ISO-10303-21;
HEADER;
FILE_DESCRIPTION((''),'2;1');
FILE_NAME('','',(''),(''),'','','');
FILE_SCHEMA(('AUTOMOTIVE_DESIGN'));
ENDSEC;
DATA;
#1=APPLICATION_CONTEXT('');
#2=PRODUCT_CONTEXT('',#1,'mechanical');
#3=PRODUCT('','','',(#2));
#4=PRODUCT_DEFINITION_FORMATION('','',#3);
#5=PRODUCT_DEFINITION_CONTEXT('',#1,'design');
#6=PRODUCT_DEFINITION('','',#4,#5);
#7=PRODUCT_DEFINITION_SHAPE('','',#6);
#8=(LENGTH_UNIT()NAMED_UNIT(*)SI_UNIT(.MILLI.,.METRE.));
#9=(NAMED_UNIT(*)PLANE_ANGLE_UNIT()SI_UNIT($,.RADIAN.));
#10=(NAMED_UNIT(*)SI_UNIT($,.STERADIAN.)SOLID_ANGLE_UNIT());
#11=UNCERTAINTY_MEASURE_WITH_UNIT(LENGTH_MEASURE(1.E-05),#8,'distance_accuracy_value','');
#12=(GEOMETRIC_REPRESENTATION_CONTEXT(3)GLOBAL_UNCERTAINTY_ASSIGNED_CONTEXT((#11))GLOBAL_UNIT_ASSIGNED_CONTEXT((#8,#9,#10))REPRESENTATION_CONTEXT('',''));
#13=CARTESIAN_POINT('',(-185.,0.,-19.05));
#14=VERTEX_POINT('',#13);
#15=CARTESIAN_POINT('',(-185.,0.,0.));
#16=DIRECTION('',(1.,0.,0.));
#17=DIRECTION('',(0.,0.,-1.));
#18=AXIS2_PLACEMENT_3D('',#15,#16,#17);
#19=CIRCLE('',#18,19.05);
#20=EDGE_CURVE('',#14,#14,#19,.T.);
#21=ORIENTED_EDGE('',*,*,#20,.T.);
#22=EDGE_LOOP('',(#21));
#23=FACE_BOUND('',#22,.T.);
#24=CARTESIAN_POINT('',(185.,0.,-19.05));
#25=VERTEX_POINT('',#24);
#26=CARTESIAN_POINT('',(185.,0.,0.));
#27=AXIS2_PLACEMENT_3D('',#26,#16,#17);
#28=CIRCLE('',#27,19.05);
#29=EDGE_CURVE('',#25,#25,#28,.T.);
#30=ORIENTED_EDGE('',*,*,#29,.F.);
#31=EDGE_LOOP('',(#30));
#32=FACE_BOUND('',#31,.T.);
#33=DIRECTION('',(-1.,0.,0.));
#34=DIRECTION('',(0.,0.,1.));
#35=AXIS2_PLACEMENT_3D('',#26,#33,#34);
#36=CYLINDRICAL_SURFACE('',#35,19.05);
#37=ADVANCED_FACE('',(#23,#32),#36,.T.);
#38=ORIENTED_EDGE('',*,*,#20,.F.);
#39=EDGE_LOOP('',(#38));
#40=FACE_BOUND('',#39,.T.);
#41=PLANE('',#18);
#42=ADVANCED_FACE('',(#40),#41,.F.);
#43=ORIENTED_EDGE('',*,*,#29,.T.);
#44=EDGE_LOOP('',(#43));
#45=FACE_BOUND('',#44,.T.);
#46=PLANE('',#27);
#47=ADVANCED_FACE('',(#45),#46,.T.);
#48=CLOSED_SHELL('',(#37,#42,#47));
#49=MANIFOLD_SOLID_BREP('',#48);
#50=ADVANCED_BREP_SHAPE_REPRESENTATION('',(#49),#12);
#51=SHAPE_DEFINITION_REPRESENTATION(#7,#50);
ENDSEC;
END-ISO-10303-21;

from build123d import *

# Parameters (mm, degrees)
SKETCH1_R      = 19.05
EXTRUDE1_DEPTH = 185


with BuildPart() as part:
    # Sketch1 → Extrude1 (new, symmetric)
    with BuildSketch(Plane(origin=(0, 0, 0), x_dir=(0, 0, -1), z_dir=(1, 0, 0))):
        Circle(SKETCH1_R)
    extrude(amount=EXTRUDE1_DEPTH, both=True)


solid = part.part
